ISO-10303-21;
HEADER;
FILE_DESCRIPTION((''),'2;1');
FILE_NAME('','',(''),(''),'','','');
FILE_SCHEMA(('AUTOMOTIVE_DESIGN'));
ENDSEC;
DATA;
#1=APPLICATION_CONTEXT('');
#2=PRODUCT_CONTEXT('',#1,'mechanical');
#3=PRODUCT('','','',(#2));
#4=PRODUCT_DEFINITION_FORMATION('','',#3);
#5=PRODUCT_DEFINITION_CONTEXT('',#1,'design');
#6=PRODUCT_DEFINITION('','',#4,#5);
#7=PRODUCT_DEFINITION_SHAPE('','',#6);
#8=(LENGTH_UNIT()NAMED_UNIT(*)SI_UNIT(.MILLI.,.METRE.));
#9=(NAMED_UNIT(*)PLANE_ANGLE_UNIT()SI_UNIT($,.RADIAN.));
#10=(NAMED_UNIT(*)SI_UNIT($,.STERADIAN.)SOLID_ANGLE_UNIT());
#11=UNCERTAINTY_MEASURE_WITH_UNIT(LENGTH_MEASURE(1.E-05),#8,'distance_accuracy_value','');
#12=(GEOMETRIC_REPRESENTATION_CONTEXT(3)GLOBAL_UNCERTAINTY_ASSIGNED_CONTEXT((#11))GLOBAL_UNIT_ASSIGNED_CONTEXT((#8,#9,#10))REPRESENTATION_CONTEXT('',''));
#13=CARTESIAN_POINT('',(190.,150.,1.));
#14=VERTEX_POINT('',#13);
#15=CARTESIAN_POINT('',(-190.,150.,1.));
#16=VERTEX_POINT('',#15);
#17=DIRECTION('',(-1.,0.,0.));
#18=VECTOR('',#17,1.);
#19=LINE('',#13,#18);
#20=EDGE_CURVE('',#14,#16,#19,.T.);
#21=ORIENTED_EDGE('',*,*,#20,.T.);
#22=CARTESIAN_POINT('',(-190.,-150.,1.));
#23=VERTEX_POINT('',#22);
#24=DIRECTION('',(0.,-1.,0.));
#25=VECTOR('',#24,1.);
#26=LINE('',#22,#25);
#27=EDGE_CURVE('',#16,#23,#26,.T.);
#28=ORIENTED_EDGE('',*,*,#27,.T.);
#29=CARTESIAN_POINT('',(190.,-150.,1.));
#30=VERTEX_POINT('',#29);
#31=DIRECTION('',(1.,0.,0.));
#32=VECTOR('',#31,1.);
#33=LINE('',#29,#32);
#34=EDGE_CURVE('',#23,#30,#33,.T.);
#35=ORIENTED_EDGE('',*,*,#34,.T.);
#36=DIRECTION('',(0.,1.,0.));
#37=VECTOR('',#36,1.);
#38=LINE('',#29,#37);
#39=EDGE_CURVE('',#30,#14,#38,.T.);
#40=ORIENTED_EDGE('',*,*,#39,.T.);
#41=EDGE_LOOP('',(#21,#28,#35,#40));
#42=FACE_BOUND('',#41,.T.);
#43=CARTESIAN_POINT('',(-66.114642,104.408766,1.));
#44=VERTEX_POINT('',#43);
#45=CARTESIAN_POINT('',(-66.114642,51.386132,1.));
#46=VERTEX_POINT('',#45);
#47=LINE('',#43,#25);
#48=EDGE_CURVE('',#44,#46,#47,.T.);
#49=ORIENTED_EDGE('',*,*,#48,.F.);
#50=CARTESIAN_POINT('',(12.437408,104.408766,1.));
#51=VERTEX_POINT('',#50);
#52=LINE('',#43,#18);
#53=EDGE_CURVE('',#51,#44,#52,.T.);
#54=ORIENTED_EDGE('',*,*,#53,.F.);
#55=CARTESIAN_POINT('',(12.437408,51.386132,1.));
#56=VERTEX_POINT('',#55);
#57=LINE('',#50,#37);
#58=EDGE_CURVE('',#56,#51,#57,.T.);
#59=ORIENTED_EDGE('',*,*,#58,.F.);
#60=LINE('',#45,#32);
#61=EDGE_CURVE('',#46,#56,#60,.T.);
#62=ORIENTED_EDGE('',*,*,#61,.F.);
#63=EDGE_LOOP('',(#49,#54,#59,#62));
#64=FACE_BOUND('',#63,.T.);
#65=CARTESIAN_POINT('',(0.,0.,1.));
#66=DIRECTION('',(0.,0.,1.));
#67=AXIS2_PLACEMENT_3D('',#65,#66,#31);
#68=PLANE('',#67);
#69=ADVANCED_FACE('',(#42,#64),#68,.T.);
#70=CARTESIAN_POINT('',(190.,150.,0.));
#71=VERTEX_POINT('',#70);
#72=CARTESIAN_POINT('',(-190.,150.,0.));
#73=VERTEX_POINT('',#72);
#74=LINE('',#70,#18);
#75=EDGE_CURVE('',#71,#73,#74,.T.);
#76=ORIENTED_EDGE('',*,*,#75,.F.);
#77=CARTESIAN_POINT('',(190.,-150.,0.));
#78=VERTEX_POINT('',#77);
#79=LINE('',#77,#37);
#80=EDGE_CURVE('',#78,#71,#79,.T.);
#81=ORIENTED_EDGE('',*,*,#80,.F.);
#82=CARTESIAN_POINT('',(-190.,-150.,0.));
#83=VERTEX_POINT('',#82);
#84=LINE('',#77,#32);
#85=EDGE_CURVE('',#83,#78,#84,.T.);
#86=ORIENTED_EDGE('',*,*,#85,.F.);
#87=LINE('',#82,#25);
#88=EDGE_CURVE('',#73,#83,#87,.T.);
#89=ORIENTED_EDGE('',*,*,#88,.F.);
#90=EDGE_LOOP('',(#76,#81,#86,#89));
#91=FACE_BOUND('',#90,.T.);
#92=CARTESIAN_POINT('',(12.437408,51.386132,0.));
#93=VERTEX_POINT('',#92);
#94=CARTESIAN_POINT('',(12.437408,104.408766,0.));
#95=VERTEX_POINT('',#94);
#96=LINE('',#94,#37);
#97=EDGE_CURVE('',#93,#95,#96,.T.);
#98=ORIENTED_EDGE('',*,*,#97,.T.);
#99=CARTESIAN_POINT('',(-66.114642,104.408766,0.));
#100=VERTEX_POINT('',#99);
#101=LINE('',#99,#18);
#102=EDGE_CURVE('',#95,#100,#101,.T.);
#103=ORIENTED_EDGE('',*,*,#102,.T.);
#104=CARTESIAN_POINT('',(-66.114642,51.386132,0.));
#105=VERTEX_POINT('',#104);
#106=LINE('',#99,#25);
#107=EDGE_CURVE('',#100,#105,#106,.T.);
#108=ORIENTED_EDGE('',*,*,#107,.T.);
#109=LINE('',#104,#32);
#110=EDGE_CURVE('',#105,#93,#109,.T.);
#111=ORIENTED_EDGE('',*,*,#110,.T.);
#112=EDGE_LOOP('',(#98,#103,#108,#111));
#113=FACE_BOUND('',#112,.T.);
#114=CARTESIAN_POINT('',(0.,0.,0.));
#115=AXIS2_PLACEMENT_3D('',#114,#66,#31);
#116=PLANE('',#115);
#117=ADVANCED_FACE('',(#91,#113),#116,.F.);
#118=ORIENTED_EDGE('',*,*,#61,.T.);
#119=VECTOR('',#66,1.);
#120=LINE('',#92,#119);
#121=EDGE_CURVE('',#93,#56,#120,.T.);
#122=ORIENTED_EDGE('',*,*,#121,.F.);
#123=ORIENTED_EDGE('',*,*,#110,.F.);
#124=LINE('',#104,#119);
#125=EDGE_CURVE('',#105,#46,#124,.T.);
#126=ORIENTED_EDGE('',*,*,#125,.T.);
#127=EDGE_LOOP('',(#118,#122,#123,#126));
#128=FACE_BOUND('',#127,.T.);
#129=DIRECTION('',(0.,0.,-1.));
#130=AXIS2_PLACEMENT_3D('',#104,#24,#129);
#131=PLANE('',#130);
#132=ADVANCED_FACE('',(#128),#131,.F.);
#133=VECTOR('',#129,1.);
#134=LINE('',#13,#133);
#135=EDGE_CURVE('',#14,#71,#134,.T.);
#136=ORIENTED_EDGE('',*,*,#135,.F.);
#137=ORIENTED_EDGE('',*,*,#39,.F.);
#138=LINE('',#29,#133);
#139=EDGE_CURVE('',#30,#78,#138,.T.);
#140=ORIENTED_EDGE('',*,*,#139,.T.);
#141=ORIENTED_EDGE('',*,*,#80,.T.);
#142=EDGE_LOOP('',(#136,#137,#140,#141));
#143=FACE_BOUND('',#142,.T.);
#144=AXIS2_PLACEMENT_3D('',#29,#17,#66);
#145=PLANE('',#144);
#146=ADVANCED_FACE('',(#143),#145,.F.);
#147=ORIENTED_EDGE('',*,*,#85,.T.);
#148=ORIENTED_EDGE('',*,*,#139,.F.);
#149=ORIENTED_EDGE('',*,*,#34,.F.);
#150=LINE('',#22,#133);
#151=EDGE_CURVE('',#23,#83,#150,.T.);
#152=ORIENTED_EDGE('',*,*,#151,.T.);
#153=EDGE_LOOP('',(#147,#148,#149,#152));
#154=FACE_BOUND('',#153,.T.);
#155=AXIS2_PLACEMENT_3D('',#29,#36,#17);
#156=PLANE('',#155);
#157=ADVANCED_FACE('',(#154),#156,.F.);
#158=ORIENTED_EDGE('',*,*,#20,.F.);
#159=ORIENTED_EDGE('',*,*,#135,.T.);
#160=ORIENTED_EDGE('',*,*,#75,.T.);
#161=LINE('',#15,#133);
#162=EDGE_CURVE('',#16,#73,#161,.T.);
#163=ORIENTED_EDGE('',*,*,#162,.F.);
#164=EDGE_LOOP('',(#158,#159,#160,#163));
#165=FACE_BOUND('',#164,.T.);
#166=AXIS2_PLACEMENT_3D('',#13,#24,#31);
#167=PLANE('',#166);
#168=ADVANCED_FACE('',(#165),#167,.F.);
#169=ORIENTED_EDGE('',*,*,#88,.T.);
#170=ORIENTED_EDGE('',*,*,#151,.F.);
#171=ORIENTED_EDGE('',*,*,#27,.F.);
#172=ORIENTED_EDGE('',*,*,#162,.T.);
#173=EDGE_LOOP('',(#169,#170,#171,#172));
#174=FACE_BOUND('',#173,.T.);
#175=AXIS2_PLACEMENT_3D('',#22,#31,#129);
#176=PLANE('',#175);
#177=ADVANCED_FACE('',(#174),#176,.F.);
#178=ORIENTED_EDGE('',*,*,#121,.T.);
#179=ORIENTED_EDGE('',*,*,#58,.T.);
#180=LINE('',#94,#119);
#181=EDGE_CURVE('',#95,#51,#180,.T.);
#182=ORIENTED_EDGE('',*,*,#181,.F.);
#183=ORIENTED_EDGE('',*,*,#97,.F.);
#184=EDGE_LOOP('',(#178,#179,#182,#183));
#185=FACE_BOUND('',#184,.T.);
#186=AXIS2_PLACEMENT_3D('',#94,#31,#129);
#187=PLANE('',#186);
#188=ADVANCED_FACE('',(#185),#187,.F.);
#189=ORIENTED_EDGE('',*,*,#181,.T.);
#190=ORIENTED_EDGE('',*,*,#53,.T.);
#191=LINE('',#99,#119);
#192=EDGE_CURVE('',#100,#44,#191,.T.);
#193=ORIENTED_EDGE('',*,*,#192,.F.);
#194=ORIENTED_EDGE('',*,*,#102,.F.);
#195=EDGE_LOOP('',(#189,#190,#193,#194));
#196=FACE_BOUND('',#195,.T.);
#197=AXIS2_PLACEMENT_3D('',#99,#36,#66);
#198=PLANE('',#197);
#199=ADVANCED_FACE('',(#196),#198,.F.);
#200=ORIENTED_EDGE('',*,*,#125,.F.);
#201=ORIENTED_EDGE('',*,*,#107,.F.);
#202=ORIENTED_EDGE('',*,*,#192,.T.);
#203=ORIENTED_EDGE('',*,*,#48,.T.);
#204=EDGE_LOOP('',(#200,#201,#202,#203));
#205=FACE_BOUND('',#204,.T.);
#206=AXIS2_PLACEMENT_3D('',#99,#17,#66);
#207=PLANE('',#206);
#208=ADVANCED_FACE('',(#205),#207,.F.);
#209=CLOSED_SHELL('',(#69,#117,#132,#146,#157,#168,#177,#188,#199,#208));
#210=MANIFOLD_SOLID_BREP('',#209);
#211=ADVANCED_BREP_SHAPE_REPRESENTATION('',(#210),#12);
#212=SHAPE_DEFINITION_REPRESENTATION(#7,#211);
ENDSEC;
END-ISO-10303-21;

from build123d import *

# Parameters (mm, degrees)
CROQUIS1_W              = 380
CROQUIS1_H              = 300
SALIENTE_EXTRUIR1_DEPTH = 1
CROQUIS2_W              = 78.552049313
CROQUIS2_H              = 53.022633285
CORTAR_EXTRUIR1_DEPTH   = 243.07643421


with BuildPart() as part:
    # Croquis1 → Saliente-Extruir1 (new body)
    with BuildSketch(Plane.XY):
        Rectangle(CROQUIS1_W, CROQUIS1_H)
    extrude(amount=SALIENTE_EXTRUIR1_DEPTH)

    # Croquis2 → Cortar-Extruir1 (cut, through all)
    with BuildSketch(Plane.XY.offset(1)):
        with Locations((-26.838616849, 77.897448901)):
            Rectangle(CROQUIS2_W, CROQUIS2_H)
    extrude(amount=-CORTAR_EXTRUIR1_DEPTH, mode=Mode.SUBTRACT)


solid = part.part
